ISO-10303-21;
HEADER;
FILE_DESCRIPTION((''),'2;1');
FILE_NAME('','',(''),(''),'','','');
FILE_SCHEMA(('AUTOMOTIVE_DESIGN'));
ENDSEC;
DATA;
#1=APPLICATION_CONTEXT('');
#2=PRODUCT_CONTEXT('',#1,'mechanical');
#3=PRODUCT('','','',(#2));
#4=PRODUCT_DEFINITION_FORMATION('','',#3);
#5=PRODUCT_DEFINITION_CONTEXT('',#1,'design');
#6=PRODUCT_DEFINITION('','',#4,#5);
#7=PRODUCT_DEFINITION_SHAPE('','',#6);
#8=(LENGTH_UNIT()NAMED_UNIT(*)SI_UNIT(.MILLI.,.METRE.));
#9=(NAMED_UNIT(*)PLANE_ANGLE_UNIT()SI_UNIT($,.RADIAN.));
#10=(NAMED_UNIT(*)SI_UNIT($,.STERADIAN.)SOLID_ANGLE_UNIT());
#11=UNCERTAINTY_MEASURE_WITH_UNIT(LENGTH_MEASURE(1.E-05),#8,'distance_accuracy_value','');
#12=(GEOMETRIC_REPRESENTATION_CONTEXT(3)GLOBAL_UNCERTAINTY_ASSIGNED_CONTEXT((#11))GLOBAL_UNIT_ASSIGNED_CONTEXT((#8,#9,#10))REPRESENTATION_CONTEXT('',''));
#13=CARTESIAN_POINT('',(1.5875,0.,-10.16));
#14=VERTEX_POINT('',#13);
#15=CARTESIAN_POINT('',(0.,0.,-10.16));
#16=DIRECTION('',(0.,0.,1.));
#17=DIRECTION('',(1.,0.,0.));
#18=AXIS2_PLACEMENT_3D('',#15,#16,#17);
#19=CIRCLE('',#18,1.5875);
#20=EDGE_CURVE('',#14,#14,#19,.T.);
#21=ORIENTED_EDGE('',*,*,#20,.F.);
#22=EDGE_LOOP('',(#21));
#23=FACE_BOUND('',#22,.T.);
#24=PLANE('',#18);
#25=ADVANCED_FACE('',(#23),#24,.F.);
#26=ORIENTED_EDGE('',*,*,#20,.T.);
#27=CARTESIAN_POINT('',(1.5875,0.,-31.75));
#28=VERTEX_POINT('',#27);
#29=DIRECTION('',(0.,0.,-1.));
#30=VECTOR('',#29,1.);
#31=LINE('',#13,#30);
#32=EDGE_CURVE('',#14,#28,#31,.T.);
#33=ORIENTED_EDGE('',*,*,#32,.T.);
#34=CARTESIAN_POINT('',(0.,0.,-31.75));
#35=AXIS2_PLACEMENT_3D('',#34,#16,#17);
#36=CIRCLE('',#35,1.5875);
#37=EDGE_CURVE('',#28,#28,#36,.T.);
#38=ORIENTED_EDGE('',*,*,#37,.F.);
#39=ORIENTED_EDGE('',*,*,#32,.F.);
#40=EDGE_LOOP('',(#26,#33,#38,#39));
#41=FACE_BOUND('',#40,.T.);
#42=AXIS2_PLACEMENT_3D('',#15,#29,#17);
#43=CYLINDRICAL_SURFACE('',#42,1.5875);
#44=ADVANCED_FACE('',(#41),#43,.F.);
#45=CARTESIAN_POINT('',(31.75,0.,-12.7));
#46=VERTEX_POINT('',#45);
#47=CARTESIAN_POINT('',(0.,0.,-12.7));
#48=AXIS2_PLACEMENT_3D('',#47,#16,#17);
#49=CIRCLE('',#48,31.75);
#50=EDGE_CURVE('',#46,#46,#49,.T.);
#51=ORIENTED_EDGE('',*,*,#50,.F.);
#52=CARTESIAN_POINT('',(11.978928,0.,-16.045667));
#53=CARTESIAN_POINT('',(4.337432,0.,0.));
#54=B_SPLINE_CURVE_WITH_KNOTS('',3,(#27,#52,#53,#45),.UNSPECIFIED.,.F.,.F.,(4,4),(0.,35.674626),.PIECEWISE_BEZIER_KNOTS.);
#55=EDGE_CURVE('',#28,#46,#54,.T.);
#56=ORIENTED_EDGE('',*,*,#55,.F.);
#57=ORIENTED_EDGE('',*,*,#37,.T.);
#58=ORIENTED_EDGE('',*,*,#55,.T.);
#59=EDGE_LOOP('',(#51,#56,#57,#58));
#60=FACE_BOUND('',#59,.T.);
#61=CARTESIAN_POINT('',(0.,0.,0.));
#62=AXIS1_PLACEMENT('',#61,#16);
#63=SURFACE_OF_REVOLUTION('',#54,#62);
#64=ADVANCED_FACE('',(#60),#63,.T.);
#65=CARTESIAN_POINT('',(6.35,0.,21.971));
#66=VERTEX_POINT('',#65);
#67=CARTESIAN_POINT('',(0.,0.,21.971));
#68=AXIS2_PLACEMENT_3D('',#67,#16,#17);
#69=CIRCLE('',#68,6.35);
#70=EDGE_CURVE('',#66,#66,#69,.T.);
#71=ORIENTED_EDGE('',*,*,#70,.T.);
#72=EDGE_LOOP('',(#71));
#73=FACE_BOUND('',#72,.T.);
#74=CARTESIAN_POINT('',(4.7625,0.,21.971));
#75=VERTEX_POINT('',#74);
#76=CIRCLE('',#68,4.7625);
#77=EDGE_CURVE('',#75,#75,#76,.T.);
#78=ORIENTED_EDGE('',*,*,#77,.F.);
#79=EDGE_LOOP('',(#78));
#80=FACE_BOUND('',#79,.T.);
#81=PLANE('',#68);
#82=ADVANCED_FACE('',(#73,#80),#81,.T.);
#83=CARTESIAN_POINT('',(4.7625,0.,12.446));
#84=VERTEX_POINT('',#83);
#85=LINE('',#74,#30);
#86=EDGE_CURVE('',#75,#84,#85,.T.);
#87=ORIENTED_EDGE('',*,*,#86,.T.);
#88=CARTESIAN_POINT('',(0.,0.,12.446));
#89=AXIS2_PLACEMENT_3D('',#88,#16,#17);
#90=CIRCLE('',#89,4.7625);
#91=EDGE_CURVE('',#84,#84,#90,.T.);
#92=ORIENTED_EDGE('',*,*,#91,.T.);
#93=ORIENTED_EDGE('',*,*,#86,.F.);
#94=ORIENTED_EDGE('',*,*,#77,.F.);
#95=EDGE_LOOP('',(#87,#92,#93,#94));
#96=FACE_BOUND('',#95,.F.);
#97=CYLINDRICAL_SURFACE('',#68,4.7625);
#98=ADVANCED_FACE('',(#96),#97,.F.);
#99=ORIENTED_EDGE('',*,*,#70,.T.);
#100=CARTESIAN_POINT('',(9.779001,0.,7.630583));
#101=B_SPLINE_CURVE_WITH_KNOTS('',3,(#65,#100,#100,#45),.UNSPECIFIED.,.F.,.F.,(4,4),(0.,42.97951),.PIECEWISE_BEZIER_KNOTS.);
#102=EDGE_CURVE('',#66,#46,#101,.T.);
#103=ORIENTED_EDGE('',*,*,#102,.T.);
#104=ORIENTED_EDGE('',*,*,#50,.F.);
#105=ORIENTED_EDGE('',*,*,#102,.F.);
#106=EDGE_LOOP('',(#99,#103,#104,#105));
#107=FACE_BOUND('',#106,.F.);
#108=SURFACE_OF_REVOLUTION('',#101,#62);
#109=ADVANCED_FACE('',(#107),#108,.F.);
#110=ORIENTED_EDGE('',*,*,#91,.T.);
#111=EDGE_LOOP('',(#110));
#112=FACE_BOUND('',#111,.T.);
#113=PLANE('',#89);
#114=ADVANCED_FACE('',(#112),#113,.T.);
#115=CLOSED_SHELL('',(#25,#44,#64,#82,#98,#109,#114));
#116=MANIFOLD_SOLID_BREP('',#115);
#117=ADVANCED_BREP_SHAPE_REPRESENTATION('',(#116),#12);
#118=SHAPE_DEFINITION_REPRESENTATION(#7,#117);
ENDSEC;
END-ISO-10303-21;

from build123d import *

# Parameters (mm, degrees)
F2_R     = 4.7625
F3_DEPTH = 9.525


with BuildPart() as f1:
    # F0 (on Front) → F1 (revolve)
    with BuildSketch(Plane.XZ):
        with BuildLine():
            add(Edge.make_bspline(
                [(1.5875, -31.75), (11.978928, -16.045667), (4.337432, 0), (31.75, -12.7)],
                knots=[0, 0, 0, 0, 35.674626, 35.674626, 35.674626, 35.674626], degree=3))
            add(Edge.make_bspline(
                [(6.35, 21.971), (9.779001, 7.630583), (9.779001, 7.630583), (31.75, -12.7)],
                knots=[0, 0, 0, 0, 42.97951, 42.97951, 42.97951, 42.97951], degree=3))
            Line((6.35, 21.971), (0, 21.971))
            Line((0, 21.971), (0, -10.16))
            Line((0, -10.16), (1.5875, -10.16))
            Line((1.5875, -10.16), (1.5875, -31.75))
        make_face()
    revolve(axis=Axis((0, 0, 0), (0, 0, 1)))

    # F2 (on face) → F3 (cut)
    with BuildSketch(Plane.XY.offset(21.971)):
        Circle(F2_R)
    extrude(amount=-F3_DEPTH, mode=Mode.SUBTRACT)


solid = f1.part
